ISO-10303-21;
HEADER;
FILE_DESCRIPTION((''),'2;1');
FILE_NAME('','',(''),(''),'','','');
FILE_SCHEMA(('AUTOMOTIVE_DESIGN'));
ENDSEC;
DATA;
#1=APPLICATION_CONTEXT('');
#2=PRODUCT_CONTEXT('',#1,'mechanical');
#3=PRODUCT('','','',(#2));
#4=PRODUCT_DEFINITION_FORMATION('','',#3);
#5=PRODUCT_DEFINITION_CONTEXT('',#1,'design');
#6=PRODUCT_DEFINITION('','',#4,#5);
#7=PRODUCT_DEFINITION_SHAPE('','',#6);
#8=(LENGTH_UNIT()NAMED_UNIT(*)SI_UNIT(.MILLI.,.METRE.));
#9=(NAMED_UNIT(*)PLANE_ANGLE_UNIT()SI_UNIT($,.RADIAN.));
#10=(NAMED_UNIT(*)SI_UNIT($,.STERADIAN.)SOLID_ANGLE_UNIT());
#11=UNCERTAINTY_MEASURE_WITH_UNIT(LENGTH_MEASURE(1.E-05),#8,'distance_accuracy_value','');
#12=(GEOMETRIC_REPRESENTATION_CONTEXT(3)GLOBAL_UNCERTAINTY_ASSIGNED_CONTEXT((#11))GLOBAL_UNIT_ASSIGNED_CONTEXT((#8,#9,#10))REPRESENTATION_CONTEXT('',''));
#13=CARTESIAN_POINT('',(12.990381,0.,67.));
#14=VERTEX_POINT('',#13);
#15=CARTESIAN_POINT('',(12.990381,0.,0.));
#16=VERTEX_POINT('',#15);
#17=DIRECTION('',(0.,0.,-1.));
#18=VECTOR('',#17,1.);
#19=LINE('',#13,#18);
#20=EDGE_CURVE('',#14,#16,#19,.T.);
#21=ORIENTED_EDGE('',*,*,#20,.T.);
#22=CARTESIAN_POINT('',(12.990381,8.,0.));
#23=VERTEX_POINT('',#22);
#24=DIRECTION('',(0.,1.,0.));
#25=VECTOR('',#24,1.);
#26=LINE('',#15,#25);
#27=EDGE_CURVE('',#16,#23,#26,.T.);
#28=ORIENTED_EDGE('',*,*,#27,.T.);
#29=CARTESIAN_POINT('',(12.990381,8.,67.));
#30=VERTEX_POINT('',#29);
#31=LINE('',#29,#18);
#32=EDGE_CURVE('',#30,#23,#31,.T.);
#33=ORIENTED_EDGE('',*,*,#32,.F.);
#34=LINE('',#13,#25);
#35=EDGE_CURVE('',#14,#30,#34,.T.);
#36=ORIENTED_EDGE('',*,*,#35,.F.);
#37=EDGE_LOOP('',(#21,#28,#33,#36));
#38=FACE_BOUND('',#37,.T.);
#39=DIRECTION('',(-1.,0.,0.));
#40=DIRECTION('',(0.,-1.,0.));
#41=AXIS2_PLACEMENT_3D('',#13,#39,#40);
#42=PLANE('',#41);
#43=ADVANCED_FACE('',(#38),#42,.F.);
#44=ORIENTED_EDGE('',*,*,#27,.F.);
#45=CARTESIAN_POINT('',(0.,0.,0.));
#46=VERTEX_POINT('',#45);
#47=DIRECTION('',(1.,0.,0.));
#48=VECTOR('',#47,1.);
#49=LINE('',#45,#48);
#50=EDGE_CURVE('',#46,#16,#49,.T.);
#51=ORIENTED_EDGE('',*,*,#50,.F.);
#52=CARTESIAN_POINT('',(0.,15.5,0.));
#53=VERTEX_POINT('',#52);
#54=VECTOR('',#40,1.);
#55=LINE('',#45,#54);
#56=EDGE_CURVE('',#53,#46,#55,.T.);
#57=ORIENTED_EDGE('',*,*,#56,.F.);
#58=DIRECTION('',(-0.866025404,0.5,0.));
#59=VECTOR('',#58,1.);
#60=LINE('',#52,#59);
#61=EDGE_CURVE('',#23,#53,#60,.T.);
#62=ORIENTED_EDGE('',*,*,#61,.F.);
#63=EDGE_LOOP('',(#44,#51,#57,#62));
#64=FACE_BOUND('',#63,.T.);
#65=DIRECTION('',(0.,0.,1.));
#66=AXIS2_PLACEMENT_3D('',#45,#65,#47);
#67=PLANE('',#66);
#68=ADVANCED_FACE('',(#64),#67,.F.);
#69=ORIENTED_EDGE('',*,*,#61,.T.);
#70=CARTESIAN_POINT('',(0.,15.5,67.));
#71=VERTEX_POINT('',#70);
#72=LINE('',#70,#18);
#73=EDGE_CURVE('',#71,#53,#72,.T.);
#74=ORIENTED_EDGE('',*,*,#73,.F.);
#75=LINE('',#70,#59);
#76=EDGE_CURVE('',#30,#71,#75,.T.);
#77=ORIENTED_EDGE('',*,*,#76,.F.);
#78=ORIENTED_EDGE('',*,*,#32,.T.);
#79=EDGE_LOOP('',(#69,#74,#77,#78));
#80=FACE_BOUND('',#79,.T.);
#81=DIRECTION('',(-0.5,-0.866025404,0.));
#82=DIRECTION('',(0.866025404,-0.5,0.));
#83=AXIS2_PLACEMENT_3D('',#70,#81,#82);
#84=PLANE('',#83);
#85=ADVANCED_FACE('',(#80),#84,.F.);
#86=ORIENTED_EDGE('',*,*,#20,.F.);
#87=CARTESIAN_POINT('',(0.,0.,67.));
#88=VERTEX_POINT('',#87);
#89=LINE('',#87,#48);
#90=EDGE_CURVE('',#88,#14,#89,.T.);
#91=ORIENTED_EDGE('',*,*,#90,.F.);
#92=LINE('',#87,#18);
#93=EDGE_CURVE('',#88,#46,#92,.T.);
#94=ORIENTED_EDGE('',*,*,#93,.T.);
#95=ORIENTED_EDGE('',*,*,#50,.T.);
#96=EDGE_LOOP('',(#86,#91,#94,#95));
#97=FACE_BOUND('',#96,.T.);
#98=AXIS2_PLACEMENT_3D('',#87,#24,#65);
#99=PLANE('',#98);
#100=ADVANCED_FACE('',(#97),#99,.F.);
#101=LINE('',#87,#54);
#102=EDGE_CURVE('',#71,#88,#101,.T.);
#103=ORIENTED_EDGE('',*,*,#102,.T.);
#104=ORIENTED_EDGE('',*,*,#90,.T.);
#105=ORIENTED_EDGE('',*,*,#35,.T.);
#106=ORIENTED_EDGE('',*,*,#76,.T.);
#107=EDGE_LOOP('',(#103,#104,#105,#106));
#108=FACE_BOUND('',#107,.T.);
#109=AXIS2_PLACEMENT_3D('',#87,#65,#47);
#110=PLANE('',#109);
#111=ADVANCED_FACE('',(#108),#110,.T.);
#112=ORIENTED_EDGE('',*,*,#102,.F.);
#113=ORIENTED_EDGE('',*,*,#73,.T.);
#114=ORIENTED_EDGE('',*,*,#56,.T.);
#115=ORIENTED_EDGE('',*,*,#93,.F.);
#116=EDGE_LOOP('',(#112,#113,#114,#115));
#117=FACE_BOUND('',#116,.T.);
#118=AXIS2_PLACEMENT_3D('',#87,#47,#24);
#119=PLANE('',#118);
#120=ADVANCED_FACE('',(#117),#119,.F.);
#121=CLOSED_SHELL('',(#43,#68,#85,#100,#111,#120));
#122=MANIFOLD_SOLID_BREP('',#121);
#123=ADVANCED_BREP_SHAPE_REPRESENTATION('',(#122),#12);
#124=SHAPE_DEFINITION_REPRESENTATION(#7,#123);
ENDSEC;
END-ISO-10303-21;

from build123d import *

# Parameters (mm, degrees)
BOSS_EXTRUDE1_DEPTH = 67


with BuildPart() as part:
    # Sketch1 → Boss-Extrude1 (new body)
    with BuildSketch(Plane.XY):
        Polygon((0, 0), (0, 15.5), (12.990381057, 8), (12.990381057, 0), align=None)
    extrude(amount=BOSS_EXTRUDE1_DEPTH)


solid = part.part
